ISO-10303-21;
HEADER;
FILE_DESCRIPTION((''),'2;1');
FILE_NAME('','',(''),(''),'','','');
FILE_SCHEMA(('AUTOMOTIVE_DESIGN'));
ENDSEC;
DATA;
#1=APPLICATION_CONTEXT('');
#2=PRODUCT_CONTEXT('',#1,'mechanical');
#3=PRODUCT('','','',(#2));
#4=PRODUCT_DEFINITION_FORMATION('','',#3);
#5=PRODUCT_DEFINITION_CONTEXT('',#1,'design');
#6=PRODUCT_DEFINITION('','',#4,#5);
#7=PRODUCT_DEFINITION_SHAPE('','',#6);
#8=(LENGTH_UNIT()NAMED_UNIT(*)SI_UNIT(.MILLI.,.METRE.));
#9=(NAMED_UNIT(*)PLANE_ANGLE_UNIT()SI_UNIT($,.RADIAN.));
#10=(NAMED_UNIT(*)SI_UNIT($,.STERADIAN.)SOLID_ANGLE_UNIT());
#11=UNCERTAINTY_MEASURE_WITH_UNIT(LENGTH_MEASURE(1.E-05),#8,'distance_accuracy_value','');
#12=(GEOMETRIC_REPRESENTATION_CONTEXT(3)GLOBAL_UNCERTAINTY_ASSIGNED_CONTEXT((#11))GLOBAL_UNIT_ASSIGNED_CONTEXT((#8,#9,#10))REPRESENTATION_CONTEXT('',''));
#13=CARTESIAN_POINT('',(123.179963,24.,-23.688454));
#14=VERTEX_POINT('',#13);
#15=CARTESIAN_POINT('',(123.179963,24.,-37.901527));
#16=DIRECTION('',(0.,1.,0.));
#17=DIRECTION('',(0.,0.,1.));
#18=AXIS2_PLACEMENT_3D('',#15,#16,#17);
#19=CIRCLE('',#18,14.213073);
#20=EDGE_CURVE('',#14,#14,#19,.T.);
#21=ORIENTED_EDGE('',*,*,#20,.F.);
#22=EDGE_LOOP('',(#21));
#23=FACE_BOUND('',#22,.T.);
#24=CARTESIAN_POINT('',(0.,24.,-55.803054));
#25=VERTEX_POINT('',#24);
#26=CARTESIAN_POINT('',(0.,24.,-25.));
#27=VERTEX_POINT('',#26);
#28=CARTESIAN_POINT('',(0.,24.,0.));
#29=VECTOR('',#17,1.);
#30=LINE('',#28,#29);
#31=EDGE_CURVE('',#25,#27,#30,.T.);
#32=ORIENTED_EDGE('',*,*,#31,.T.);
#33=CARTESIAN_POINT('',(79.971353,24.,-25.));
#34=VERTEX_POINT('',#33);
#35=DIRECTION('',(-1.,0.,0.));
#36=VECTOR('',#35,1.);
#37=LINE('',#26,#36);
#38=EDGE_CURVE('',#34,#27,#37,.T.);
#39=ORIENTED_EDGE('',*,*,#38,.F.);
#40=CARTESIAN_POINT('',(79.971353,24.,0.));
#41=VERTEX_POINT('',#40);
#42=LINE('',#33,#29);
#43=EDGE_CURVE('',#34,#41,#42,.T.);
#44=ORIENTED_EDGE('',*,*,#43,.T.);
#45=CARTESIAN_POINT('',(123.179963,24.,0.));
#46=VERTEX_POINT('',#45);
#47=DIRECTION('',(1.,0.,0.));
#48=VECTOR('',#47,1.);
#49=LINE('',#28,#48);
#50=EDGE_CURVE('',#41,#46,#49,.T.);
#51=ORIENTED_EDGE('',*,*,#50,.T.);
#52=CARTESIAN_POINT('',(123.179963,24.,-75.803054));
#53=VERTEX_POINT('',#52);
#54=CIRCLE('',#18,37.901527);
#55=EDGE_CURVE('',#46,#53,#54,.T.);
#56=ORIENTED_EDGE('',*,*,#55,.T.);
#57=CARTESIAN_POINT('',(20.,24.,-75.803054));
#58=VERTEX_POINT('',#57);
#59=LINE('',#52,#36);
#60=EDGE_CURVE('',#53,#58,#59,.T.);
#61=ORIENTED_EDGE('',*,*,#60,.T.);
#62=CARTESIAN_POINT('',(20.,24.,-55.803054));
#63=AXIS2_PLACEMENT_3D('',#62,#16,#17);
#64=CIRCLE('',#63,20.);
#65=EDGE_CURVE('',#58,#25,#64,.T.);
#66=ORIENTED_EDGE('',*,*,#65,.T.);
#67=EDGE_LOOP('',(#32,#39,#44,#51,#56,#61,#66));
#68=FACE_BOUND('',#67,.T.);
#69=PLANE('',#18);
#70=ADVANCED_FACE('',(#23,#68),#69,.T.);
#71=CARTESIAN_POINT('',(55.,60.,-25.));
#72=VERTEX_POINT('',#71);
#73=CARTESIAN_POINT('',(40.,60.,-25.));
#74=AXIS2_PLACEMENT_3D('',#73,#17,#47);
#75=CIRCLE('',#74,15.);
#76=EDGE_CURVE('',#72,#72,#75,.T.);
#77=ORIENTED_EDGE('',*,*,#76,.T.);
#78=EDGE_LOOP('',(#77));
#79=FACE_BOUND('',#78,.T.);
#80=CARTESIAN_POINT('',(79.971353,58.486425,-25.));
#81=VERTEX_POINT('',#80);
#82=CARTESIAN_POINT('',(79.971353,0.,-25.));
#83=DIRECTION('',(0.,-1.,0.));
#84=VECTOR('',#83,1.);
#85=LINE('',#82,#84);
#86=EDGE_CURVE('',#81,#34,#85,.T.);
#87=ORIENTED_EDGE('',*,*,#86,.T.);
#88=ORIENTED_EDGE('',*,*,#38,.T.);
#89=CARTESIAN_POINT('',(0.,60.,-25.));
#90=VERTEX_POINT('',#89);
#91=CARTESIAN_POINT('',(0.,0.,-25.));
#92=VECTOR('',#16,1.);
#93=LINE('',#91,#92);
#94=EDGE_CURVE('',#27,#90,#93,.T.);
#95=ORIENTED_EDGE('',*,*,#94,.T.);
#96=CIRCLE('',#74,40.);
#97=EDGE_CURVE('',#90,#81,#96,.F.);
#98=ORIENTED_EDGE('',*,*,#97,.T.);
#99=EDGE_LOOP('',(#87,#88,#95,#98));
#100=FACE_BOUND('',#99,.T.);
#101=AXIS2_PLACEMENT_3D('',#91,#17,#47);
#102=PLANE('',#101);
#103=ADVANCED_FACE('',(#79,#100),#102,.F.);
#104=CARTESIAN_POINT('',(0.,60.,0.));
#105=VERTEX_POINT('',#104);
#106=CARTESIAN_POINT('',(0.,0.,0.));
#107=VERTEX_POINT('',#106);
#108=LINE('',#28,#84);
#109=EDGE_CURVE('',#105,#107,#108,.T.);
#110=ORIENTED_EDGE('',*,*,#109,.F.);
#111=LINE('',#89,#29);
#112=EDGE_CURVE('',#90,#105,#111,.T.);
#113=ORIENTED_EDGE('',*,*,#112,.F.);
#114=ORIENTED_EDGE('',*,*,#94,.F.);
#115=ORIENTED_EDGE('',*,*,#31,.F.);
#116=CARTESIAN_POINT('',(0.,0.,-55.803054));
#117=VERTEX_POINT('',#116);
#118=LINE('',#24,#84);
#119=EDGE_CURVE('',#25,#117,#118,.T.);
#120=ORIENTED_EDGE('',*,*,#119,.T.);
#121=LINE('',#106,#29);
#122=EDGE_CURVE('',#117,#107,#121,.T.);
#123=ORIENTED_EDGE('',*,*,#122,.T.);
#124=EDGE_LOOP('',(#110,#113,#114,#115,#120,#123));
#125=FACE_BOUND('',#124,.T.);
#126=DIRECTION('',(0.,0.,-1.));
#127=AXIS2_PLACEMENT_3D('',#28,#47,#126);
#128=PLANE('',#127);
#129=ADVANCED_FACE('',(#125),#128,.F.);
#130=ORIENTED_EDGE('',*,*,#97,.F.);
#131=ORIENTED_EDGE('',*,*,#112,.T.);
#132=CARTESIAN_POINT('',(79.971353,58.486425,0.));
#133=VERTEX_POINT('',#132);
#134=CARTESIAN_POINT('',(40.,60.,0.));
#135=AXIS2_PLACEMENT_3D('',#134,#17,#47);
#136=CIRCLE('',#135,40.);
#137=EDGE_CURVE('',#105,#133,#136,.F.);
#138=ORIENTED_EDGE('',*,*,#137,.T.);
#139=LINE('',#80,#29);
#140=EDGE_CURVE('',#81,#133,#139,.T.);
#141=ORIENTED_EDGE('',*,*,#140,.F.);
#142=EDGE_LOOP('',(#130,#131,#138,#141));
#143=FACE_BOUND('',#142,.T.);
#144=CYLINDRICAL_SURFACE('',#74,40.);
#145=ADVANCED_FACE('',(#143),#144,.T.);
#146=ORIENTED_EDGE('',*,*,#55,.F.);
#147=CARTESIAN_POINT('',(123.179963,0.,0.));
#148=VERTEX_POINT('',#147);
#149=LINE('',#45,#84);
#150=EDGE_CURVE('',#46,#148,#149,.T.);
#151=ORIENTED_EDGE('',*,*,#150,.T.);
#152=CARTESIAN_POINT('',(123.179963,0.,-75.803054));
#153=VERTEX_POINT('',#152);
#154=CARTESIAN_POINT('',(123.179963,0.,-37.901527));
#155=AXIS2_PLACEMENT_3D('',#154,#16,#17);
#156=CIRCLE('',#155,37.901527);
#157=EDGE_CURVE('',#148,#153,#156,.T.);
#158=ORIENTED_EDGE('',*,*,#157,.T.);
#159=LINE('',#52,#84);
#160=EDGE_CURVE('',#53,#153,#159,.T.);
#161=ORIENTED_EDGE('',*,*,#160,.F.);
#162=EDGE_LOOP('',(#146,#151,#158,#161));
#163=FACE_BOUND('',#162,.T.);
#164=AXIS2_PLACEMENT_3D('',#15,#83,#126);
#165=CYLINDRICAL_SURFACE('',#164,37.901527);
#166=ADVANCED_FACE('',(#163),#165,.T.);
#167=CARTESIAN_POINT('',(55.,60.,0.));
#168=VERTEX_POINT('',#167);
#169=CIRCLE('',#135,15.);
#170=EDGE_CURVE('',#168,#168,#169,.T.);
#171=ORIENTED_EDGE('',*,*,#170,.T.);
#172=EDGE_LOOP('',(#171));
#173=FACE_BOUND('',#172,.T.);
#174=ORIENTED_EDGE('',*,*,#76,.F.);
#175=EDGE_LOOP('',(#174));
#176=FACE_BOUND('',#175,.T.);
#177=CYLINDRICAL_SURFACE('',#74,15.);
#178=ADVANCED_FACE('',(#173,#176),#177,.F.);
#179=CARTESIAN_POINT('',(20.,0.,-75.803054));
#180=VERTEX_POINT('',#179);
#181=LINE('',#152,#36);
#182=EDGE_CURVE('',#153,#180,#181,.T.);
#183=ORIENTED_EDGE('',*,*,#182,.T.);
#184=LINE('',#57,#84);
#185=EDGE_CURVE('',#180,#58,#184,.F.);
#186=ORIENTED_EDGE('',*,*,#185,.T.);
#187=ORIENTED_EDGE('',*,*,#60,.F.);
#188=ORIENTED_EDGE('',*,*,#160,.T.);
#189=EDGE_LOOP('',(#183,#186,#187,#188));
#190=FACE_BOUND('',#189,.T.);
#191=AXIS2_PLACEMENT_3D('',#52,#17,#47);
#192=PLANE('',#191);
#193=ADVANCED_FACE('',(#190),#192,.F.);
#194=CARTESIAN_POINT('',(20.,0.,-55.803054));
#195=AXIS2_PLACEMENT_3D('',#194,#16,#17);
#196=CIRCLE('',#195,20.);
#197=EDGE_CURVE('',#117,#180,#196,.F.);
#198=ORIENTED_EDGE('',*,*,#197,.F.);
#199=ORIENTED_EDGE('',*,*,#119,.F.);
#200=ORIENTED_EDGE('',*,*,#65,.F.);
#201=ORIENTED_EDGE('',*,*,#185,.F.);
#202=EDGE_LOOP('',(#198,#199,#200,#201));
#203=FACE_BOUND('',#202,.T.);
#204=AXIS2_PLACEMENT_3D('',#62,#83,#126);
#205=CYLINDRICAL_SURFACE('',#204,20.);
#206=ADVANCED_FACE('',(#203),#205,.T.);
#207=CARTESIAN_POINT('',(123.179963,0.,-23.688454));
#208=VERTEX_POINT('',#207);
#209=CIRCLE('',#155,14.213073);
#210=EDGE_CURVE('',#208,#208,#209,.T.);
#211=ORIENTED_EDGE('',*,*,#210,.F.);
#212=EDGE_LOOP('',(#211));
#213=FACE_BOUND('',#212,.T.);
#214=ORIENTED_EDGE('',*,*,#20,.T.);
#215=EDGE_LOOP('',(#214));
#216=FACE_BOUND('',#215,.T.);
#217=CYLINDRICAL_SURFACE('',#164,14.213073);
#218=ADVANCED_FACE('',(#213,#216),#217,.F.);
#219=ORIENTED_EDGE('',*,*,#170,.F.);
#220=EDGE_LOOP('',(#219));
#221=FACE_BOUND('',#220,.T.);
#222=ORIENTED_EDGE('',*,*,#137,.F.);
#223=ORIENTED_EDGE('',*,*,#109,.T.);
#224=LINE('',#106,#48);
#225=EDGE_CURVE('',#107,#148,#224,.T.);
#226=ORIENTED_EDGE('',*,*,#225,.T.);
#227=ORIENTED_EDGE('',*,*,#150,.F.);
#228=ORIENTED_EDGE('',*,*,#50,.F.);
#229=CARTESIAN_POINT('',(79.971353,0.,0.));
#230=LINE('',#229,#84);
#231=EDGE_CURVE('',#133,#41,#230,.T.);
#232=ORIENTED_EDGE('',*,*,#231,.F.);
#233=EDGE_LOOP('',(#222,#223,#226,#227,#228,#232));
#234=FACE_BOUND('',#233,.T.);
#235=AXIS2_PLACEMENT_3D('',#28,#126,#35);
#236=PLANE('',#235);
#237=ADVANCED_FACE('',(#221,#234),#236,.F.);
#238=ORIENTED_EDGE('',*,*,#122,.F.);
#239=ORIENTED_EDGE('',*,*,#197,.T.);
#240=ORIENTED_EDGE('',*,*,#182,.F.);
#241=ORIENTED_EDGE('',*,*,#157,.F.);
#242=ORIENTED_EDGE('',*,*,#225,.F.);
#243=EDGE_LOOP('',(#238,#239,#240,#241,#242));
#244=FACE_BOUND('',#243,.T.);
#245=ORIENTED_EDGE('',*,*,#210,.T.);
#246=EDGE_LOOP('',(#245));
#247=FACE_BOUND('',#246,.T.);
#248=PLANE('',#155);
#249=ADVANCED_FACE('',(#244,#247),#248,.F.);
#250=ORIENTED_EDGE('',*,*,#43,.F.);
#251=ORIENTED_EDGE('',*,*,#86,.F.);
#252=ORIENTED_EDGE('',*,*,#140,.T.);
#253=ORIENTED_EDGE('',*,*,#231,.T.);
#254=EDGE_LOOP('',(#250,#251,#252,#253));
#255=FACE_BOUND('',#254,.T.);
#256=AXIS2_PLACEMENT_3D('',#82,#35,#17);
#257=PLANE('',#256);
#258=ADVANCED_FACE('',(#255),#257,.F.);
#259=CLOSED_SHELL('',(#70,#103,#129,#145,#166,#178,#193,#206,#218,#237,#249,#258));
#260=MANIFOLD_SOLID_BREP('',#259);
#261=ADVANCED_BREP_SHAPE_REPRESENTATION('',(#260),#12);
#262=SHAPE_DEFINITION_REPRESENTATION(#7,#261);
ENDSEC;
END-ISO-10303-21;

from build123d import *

# Parameters (mm, degrees)
SKETCH2_R           = 14.213072664
BOSS_EXTRUDE2_DEPTH = 24
SKETCH4_R           = 15
BOSS_EXTRUDE4_DEPTH = 25
FILLET2_R           = 20


with BuildPart() as part:
    # Sketch2 → Boss-Extrude2 (new body)
    with BuildSketch(Plane(origin=(0, 0, 0), x_dir=(1, 0, 0), z_dir=(0, 1, 0))):
        with BuildLine():
            Line((0, 0), (0, 75.803054209))
            Line((0, 75.803054209), (123.17996309, 75.803054209))
            ThreePointArc((123.17996309, 75.803054209), (161.081490195, 37.901527105), (123.17996309, 0))
            Line((123.17996309, 0), (0, 0))
        make_face()
        with Locations(Location((123.17996309, 37.901527105, 0), (0, 0, 270))):
            Circle(SKETCH2_R, mode=Mode.SUBTRACT)
    extrude(amount=BOSS_EXTRUDE2_DEPTH)

    # Sketch4 → Boss-Extrude4 (add)
    with BuildSketch(Plane.XY):
        with BuildLine():
            Line((0, 60), (0, 24))
            Line((0, 24), (79.971353362, 24))
            Line((79.971353362, 24), (79.971353362, 58.486424634))
            ThreePointArc((79.971353362, 58.486424634), (40.756923216, 99.992837699), (0, 60))
        make_face()
        with Locations((40, 60)):
            Circle(SKETCH4_R, mode=Mode.SUBTRACT)
    extrude(amount=-BOSS_EXTRUDE4_DEPTH)

    # Fillet2
    fillet2_edges = [part.edges().sort_by_distance(p)[0] for p in [
        (0, 12, -75.803054209),
    ]]
    fillet(fillet2_edges, radius=FILLET2_R)


solid = part.part
